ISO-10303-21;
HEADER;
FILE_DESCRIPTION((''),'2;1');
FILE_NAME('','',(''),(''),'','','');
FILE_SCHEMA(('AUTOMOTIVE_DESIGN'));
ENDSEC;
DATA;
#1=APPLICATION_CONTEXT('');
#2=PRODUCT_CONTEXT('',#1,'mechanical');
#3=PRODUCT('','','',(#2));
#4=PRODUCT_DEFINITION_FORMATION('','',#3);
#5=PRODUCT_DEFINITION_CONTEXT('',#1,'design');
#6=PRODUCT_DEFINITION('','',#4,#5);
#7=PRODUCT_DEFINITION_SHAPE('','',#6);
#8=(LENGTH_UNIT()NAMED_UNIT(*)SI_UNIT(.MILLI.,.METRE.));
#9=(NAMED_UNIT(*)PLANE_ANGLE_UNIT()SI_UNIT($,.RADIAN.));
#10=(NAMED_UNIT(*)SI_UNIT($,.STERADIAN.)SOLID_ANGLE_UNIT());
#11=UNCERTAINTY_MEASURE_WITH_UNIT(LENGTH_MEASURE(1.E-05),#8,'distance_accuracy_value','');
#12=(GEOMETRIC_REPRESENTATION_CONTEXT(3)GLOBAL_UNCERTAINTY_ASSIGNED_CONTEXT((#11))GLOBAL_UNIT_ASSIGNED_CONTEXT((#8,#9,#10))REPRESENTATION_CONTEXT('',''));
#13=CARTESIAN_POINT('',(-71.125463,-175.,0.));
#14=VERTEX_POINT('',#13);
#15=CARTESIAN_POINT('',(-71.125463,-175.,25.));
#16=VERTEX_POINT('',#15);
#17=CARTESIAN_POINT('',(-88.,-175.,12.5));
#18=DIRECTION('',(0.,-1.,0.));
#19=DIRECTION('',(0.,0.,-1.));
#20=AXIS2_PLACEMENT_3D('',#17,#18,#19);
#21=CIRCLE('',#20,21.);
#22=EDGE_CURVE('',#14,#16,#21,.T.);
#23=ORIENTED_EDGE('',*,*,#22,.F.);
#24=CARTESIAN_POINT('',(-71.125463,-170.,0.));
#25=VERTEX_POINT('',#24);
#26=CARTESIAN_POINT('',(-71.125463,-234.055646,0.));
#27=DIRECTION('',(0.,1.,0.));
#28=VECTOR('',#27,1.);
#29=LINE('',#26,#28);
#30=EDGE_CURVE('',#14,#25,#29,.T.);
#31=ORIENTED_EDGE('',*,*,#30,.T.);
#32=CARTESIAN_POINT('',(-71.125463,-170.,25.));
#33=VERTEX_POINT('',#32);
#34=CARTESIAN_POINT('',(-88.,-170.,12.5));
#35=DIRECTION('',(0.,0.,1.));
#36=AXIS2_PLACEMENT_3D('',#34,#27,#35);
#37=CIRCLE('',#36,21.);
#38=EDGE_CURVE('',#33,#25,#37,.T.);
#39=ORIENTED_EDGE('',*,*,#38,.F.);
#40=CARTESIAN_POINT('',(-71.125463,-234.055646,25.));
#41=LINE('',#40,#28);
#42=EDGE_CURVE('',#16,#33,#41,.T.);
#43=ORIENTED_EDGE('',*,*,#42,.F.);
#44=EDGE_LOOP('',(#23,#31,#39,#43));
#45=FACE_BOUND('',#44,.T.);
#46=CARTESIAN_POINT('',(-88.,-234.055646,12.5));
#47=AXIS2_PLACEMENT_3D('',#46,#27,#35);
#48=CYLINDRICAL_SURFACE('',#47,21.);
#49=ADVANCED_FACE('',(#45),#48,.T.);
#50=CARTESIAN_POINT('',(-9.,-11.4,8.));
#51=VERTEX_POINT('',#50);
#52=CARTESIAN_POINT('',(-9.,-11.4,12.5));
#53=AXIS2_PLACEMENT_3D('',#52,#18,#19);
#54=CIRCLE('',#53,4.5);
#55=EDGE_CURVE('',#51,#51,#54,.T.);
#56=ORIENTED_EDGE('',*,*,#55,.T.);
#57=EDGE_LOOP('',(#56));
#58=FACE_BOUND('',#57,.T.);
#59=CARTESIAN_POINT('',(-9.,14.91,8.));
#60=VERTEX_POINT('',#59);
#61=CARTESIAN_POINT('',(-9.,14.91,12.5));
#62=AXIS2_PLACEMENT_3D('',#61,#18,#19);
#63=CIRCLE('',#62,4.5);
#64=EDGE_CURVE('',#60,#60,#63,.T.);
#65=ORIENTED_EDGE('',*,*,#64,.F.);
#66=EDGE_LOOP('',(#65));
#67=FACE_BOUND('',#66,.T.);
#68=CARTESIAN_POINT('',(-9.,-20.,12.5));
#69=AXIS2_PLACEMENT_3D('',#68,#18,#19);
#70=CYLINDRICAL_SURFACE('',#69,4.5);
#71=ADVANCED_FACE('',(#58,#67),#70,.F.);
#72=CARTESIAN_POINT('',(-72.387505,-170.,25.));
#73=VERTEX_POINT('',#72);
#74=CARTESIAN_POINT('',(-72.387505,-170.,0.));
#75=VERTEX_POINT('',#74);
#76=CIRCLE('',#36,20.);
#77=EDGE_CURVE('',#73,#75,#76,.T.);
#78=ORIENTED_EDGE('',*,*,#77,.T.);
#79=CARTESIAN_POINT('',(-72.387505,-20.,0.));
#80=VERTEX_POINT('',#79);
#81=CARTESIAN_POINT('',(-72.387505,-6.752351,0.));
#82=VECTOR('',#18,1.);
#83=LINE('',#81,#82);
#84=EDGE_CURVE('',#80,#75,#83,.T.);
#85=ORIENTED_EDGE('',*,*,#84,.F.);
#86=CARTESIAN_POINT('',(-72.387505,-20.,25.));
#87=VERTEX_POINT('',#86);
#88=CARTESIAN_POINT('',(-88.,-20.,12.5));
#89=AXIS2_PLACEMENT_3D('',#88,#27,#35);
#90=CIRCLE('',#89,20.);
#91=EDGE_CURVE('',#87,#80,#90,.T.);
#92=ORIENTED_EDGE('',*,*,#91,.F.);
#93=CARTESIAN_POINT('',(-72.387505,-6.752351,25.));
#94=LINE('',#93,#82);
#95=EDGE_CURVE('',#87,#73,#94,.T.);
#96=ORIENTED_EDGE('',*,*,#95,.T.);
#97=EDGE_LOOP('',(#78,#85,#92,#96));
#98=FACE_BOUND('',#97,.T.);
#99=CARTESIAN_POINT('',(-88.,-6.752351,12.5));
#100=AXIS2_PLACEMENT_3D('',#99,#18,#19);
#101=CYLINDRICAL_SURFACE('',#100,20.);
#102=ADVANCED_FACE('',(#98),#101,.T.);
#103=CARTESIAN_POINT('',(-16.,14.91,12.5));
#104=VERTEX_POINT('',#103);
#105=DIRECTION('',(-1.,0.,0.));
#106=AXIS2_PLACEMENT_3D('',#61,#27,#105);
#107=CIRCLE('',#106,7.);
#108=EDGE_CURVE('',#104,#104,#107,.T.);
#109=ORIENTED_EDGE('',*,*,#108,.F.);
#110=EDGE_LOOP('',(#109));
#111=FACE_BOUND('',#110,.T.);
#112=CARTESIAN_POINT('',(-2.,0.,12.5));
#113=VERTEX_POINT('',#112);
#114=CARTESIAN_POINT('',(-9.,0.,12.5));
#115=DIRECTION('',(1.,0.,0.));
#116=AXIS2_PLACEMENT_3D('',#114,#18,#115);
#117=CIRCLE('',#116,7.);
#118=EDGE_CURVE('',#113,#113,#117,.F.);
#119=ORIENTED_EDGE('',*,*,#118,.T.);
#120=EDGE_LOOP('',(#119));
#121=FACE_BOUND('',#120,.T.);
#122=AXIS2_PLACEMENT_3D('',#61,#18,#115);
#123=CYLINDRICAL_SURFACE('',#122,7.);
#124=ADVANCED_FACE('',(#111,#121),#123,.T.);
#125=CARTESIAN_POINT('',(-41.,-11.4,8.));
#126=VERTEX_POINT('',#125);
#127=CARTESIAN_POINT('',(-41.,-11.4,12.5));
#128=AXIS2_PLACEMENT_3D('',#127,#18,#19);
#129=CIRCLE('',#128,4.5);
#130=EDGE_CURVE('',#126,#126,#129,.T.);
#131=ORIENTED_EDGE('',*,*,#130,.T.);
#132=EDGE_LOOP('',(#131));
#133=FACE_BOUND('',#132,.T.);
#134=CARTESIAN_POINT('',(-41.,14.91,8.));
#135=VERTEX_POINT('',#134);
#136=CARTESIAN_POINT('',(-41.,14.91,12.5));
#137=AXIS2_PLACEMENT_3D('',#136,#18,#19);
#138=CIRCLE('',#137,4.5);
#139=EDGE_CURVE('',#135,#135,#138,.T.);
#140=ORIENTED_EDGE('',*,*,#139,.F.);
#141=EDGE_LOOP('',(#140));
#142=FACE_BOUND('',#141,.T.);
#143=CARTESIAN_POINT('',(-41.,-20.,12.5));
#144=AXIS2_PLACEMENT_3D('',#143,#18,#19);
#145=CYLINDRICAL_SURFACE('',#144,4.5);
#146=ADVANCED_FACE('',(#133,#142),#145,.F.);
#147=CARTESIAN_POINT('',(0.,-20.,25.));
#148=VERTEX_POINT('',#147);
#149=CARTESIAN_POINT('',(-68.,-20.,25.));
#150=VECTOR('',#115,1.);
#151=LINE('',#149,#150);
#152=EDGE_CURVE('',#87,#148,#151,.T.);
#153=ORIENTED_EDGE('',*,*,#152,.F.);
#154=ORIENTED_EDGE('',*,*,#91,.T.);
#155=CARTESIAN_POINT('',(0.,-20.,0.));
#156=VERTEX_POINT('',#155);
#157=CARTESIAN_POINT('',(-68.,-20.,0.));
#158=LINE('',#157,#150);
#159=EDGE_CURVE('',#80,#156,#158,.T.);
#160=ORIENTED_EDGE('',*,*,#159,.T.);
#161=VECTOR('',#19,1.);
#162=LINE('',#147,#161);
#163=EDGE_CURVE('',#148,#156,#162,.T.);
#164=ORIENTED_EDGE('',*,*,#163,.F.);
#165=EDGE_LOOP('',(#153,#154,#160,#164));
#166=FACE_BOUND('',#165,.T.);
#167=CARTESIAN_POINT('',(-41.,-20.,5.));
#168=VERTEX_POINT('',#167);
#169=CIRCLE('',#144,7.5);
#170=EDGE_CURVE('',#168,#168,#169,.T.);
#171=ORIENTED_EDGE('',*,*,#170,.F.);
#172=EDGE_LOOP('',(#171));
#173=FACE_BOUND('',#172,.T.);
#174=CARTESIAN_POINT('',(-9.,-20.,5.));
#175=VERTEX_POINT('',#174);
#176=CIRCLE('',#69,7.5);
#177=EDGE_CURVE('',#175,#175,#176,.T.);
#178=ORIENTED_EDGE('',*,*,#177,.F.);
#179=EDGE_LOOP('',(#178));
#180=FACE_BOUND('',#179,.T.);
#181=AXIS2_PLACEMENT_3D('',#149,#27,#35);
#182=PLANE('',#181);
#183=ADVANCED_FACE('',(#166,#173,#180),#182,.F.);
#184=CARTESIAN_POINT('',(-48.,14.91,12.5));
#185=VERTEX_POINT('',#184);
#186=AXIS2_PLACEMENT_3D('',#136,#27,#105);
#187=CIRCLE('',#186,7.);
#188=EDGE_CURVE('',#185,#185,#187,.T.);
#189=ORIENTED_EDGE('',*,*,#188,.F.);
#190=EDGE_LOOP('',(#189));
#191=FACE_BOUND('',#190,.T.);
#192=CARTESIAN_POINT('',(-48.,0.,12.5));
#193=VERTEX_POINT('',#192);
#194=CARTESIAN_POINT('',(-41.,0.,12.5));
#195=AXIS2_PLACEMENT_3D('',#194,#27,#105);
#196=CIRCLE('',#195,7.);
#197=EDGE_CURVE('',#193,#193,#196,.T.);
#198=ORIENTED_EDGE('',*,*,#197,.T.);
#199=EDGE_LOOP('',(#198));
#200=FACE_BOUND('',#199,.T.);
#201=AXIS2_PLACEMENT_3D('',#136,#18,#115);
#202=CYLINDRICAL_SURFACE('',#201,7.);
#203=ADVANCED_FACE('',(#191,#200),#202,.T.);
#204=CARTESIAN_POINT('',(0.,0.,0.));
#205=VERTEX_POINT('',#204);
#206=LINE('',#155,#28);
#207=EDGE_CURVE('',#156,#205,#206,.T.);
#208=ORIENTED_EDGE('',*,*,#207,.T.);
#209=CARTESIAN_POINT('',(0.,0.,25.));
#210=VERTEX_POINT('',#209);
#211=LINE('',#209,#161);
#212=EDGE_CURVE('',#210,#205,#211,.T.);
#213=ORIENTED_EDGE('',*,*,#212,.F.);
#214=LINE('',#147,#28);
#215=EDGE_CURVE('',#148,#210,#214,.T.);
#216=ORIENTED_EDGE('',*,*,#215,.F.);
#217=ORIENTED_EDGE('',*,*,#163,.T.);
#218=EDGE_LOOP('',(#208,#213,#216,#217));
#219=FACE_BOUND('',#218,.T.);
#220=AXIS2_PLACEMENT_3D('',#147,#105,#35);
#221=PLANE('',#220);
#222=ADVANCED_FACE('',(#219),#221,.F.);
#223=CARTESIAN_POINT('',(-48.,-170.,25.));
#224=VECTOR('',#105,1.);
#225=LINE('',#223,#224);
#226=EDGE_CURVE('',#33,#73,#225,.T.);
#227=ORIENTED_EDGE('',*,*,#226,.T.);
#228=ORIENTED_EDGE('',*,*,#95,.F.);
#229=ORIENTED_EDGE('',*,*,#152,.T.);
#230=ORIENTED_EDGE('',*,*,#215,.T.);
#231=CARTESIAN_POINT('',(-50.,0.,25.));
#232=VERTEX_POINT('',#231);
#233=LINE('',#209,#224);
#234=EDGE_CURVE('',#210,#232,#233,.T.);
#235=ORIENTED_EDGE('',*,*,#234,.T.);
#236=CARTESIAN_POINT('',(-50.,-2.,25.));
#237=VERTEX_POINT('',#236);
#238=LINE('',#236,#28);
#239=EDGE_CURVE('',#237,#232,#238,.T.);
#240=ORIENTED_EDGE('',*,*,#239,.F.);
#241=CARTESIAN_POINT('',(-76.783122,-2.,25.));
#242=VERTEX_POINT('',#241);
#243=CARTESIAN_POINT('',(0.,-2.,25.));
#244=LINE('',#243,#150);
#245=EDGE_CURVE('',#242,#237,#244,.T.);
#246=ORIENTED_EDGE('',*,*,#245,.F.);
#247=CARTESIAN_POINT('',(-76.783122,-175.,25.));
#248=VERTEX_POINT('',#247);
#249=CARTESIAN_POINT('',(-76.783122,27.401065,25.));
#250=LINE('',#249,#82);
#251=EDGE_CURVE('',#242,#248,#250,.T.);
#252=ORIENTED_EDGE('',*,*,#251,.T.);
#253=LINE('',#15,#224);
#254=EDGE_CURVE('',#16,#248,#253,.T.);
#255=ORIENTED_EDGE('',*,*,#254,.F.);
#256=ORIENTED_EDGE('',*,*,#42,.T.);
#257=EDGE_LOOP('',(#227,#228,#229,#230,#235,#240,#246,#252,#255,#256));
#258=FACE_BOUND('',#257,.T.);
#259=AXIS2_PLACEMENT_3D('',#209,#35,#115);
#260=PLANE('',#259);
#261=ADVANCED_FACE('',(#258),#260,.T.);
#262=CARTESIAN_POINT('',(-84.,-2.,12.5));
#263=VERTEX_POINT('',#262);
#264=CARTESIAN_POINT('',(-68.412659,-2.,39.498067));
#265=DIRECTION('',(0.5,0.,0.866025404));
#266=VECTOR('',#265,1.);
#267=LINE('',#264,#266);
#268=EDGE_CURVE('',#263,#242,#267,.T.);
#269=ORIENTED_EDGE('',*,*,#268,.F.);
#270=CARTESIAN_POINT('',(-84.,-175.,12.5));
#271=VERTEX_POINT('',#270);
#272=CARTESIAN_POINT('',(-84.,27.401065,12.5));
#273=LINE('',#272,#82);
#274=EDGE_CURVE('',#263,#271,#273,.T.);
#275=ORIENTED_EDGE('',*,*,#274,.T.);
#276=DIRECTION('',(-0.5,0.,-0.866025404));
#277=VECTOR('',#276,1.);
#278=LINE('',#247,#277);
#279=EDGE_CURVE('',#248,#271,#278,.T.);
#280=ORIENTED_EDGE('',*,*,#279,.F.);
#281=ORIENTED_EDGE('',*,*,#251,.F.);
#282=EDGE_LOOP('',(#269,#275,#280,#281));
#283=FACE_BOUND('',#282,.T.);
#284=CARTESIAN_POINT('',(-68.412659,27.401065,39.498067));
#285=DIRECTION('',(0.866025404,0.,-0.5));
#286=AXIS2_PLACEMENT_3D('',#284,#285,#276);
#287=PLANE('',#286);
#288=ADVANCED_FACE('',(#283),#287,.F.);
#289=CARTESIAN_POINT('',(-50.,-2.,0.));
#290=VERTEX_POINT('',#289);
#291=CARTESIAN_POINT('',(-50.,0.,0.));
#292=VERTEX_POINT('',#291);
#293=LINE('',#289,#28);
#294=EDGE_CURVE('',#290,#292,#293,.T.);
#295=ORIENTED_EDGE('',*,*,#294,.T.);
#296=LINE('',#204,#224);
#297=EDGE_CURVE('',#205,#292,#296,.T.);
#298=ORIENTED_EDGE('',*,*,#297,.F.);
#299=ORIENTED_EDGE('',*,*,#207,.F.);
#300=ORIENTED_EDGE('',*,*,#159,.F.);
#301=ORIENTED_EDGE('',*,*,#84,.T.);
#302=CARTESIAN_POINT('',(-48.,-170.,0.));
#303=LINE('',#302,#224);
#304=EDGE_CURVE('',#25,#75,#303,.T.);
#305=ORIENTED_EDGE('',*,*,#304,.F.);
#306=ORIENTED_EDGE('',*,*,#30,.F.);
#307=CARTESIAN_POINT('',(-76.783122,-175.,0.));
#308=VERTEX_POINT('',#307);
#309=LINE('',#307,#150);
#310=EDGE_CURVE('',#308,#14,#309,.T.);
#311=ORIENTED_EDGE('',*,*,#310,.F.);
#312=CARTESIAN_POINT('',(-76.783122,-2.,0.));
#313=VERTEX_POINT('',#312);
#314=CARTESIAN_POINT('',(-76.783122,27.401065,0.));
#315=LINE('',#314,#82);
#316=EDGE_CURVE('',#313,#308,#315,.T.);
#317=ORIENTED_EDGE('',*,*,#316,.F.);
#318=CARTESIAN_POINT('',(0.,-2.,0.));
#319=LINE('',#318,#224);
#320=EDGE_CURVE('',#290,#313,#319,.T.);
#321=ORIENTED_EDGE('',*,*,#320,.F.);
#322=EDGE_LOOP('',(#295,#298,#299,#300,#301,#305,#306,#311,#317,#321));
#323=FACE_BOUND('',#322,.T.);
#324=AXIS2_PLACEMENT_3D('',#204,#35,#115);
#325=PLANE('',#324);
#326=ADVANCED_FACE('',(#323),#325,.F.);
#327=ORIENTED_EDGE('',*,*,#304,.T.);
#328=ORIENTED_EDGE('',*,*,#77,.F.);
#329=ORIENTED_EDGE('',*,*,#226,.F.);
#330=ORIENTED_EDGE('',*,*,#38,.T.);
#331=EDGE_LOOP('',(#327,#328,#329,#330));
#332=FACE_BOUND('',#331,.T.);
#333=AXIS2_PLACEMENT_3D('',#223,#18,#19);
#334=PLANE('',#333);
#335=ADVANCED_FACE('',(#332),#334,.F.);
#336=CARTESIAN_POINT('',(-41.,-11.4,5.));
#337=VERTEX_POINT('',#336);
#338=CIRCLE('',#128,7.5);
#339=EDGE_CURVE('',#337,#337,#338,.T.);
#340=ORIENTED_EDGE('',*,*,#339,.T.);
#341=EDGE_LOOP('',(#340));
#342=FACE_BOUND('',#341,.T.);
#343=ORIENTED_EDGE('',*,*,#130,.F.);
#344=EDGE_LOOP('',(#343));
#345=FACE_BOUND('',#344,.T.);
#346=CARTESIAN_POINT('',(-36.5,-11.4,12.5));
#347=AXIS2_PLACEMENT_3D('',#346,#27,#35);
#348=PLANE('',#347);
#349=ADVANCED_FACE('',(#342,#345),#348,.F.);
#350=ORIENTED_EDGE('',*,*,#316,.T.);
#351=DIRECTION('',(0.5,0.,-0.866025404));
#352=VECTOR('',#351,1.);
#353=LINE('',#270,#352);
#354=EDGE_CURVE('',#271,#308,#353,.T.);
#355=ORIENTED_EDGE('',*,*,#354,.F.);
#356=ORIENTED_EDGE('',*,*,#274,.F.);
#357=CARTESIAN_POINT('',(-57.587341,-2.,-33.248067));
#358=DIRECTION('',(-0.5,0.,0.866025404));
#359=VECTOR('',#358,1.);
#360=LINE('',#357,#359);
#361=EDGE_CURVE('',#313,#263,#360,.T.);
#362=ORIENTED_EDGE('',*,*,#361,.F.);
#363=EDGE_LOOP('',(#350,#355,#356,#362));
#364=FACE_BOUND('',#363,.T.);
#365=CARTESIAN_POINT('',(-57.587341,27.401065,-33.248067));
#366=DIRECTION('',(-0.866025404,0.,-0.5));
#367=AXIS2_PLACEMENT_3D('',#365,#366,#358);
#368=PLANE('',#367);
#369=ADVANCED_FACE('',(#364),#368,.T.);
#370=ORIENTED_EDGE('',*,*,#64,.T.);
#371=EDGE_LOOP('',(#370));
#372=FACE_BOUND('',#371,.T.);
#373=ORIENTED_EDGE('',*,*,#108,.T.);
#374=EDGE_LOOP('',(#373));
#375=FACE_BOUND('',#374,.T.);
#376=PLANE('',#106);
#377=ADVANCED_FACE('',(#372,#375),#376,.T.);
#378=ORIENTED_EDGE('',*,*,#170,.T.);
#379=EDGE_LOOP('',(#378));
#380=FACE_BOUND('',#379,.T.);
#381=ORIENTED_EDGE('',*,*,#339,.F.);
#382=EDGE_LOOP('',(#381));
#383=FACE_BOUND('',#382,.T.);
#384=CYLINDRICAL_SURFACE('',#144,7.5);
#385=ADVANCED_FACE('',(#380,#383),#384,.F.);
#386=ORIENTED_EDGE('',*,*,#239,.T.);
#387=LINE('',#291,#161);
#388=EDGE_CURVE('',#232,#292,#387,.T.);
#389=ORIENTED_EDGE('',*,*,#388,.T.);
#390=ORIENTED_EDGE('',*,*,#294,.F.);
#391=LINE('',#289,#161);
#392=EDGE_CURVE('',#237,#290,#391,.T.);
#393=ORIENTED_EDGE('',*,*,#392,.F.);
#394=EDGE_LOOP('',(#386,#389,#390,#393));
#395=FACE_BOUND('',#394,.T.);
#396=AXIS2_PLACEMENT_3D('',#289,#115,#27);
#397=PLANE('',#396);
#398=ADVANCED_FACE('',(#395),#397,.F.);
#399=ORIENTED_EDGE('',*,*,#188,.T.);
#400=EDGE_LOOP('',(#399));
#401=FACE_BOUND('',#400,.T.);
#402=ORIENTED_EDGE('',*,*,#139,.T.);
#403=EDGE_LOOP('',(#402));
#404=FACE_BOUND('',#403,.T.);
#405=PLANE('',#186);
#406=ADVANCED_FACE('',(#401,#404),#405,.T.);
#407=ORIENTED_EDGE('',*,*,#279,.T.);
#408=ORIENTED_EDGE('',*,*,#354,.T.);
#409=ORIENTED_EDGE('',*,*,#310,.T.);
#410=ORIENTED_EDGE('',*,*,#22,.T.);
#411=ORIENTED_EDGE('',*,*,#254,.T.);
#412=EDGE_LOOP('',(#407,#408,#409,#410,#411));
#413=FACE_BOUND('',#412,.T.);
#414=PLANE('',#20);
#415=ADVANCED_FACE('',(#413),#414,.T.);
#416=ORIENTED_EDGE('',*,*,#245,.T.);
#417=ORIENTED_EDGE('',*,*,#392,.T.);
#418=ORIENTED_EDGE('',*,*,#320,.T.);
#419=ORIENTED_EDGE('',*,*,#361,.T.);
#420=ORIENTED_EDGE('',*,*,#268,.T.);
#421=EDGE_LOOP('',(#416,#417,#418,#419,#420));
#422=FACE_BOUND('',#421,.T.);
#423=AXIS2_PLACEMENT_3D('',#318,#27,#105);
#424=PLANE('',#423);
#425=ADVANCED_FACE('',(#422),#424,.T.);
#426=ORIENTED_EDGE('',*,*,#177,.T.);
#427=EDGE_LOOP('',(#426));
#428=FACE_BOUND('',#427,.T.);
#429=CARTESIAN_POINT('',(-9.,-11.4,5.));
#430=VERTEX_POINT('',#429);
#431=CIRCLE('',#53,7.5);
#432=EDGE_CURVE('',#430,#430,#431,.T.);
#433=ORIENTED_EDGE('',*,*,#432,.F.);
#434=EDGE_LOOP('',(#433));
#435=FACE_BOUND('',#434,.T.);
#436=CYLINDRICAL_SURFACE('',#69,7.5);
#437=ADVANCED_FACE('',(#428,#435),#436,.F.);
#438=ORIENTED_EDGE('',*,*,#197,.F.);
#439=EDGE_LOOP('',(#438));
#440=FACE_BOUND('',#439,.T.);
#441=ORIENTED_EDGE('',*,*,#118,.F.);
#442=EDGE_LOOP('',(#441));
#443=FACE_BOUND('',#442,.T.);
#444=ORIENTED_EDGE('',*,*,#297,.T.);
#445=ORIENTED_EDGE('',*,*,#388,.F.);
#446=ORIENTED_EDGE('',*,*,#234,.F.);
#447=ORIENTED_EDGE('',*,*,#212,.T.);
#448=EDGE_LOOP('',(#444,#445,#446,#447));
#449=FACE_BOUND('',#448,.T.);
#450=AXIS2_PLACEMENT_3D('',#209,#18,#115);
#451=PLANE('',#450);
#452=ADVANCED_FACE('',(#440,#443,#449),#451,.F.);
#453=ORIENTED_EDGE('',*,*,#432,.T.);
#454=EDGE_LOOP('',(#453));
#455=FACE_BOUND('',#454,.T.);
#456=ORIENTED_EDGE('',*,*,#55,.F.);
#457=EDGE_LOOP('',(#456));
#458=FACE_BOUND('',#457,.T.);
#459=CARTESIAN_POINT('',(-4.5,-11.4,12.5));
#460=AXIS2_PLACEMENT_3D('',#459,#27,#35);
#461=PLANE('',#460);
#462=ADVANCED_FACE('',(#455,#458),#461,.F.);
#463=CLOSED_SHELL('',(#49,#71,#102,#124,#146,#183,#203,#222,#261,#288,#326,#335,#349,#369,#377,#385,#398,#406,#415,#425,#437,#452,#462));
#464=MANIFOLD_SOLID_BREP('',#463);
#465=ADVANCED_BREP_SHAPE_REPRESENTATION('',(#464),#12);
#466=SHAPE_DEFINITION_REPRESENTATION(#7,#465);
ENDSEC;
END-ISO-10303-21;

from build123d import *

# Parameters (mm, degrees)
ESTRUSIONE_ESTRUSIONE1_DEPTH                         = 25
SCHIZZO3_R                                           = 7
ESTRUSIONE_ESTRUSIONE2_DEPTH                         = 14.91
FORO_LAMATO_PER_VITE_M8_A_TESTA_CILINDRI_D           = 9
FORO_LAMATO_PER_VITE_M8_A_TESTA_CILINDRI_DEPTH       = 34.91
FORO_LAMATO_PER_VITE_M8_A_TESTA_CILINDRI_CBORE_D     = 15
FORO_LAMATO_PER_VITE_M8_A_TESTA_CILINDRI_CBORE_DEPTH = 8.6
TAGLIO_ESTRUSIONE3_DEPTH                             = 150
TAGLIO_ESTRUSIONE4_DEPTH                             = 30
TAGLIO_ESTRUSIONE5_START                             = -20
TAGLIO_ESTRUSIONE5_DEPTH                             = 20
TAGLIO_ESTRUSIONE6_DEPTH                             = 180
TAGLIO_ESTRUSIONE7_START                             = -5
TAGLIO_ESTRUSIONE7_DEPTH                             = 5
TAGLIO_ESTRUSIONE8_DEPTH                             = 2


with BuildPart() as part:
    # Schizzo2 → Estrusione-Estrusione1 (new body)
    with BuildSketch(Plane.XY):
        Polygon((0, 0), (-88, 0), (-88, -200), (-48, -200), (-48, -170), (-68, -170), (-68, -20), (0, -20), align=None)
    extrude(amount=ESTRUSIONE_ESTRUSIONE1_DEPTH)

    # Schizzo3 → Estrusione-Estrusione2 (add)
    with BuildSketch(Plane(origin=(0, 0, 0), x_dir=(1, 0, 0), z_dir=(0, 1, 0))):
        with Locations(Location((-41, -12.5, 0), (0, 0, 180))):
            Circle(SCHIZZO3_R)
        with Locations((-9, -12.5)):
            Circle(SCHIZZO3_R)
    extrude(amount=ESTRUSIONE_ESTRUSIONE2_DEPTH)

    # Foro lamato per Vite M8 a testa cilindrica-1
    with Locations(Plane(origin=(0, -20, 0), x_dir=(-1, 0, 0), z_dir=(0, -1, 0))):
        with Locations((9, -12.5), (41, -12.5)):
            CounterBoreHole(FORO_LAMATO_PER_VITE_M8_A_TESTA_CILINDRI_D / 2, FORO_LAMATO_PER_VITE_M8_A_TESTA_CILINDRI_CBORE_D / 2, FORO_LAMATO_PER_VITE_M8_A_TESTA_CILINDRI_CBORE_DEPTH, depth=FORO_LAMATO_PER_VITE_M8_A_TESTA_CILINDRI_DEPTH)

    # Schizzo10 → Taglio-Estrusione3 (cut)
    with BuildSketch(Plane(origin=(0, -170, 0), x_dir=(1, 0, 0), z_dir=(0, 1, 0))):
        with BuildLine():
            Line((-68, 0), (-72.387505004, 0))
            ThreePointArc((-72.387505004, 0), (-69.128726859, -5.876175573), (-68, -12.5))
            Line((-68, -12.5), (-68, 0))
        make_face()
        with BuildLine():
            Line((-68, -25), (-68, -12.5))
            ThreePointArc((-68, -12.5), (-69.128726859, -19.123824427), (-72.387505004, -25))
            Line((-72.387505004, -25), (-68, -25))
        make_face()
    extrude(amount=TAGLIO_ESTRUSIONE3_DEPTH, mode=Mode.SUBTRACT)

    # Schizzo11 → Taglio-Estrusione4 (cut)
    with BuildSketch(Plane(origin=(0, -170, 0), x_dir=(1, 0, 0), z_dir=(0, 1, 0))):
        with BuildLine():
            Line((-48, -25), (-48, 0))
            Line((-48, 0), (-71.125462969, 0))
            ThreePointArc((-71.125462969, 0), (-70.769833543, -0.494944237), (-70.428716609, -1))
            ThreePointArc((-70.428716609, -1), (-67, -12.5), (-70.428716609, -24))
            ThreePointArc((-70.428716609, -24), (-70.769833543, -24.505055763), (-71.125462969, -25))
            Line((-71.125462969, -25), (-48, -25))
        make_face()
    extrude(amount=-TAGLIO_ESTRUSIONE4_DEPTH, mode=Mode.SUBTRACT)

    # Schizzo12 → Taglio-Estrusione5 (cut)
    with BuildSketch(Plane.XZ.offset(200).offset(TAGLIO_ESTRUSIONE5_START)):
        with BuildLine():
            Line((-71.125462969, 25), (-88, 25))
            Line((-88, 25), (-88, 0))
            Line((-88, 0), (-71.125462969, 0))
            ThreePointArc((-71.125462969, 0), (-67, 12.5), (-71.125462969, 25))
        make_face()
    extrude(amount=TAGLIO_ESTRUSIONE5_DEPTH, mode=Mode.SUBTRACT)

    # Schizzo13 → Taglio-Estrusione6 (cut)
    with BuildSketch(Plane.XZ.offset(180)):
        Polygon((-88, 25), (-88, 12.5), (-84, 12.5), (-76.783121635, 25), align=None)
        Polygon((-84, 12.5), (-88, 12.5), (-88, 0), (-76.783121635, 0), align=None)
    extrude(amount=-TAGLIO_ESTRUSIONE6_DEPTH, mode=Mode.SUBTRACT)

    # Schizzo14 → Taglio-Estrusione7 (cut)
    with BuildSketch(Plane.XZ.offset(180).offset(TAGLIO_ESTRUSIONE7_START)):
        with BuildLine():
            Line((-76.783121635, 25), (-84, 12.5))
            Line((-84, 12.5), (-76.783121635, 0))
            Line((-76.783121635, 0), (-71.125462969, 0))
            ThreePointArc((-71.125462969, 0), (-67, 12.5), (-71.125462969, 25))
            Line((-71.125462969, 25), (-76.783121635, 25))
        make_face()
    extrude(amount=TAGLIO_ESTRUSIONE7_DEPTH, mode=Mode.SUBTRACT)

    # Schizzo15 → Taglio-Estrusione8 (cut)
    with BuildSketch(Plane(origin=(0, 0, 0), x_dir=(1, 0, 0), z_dir=(0, 1, 0))):
        Polygon((-76.783121635, -25), (-50, -25), (-50, 0), (-76.783121635, 0), (-84, -12.5), align=None)
    extrude(amount=-TAGLIO_ESTRUSIONE8_DEPTH, mode=Mode.SUBTRACT)


solid = part.part
